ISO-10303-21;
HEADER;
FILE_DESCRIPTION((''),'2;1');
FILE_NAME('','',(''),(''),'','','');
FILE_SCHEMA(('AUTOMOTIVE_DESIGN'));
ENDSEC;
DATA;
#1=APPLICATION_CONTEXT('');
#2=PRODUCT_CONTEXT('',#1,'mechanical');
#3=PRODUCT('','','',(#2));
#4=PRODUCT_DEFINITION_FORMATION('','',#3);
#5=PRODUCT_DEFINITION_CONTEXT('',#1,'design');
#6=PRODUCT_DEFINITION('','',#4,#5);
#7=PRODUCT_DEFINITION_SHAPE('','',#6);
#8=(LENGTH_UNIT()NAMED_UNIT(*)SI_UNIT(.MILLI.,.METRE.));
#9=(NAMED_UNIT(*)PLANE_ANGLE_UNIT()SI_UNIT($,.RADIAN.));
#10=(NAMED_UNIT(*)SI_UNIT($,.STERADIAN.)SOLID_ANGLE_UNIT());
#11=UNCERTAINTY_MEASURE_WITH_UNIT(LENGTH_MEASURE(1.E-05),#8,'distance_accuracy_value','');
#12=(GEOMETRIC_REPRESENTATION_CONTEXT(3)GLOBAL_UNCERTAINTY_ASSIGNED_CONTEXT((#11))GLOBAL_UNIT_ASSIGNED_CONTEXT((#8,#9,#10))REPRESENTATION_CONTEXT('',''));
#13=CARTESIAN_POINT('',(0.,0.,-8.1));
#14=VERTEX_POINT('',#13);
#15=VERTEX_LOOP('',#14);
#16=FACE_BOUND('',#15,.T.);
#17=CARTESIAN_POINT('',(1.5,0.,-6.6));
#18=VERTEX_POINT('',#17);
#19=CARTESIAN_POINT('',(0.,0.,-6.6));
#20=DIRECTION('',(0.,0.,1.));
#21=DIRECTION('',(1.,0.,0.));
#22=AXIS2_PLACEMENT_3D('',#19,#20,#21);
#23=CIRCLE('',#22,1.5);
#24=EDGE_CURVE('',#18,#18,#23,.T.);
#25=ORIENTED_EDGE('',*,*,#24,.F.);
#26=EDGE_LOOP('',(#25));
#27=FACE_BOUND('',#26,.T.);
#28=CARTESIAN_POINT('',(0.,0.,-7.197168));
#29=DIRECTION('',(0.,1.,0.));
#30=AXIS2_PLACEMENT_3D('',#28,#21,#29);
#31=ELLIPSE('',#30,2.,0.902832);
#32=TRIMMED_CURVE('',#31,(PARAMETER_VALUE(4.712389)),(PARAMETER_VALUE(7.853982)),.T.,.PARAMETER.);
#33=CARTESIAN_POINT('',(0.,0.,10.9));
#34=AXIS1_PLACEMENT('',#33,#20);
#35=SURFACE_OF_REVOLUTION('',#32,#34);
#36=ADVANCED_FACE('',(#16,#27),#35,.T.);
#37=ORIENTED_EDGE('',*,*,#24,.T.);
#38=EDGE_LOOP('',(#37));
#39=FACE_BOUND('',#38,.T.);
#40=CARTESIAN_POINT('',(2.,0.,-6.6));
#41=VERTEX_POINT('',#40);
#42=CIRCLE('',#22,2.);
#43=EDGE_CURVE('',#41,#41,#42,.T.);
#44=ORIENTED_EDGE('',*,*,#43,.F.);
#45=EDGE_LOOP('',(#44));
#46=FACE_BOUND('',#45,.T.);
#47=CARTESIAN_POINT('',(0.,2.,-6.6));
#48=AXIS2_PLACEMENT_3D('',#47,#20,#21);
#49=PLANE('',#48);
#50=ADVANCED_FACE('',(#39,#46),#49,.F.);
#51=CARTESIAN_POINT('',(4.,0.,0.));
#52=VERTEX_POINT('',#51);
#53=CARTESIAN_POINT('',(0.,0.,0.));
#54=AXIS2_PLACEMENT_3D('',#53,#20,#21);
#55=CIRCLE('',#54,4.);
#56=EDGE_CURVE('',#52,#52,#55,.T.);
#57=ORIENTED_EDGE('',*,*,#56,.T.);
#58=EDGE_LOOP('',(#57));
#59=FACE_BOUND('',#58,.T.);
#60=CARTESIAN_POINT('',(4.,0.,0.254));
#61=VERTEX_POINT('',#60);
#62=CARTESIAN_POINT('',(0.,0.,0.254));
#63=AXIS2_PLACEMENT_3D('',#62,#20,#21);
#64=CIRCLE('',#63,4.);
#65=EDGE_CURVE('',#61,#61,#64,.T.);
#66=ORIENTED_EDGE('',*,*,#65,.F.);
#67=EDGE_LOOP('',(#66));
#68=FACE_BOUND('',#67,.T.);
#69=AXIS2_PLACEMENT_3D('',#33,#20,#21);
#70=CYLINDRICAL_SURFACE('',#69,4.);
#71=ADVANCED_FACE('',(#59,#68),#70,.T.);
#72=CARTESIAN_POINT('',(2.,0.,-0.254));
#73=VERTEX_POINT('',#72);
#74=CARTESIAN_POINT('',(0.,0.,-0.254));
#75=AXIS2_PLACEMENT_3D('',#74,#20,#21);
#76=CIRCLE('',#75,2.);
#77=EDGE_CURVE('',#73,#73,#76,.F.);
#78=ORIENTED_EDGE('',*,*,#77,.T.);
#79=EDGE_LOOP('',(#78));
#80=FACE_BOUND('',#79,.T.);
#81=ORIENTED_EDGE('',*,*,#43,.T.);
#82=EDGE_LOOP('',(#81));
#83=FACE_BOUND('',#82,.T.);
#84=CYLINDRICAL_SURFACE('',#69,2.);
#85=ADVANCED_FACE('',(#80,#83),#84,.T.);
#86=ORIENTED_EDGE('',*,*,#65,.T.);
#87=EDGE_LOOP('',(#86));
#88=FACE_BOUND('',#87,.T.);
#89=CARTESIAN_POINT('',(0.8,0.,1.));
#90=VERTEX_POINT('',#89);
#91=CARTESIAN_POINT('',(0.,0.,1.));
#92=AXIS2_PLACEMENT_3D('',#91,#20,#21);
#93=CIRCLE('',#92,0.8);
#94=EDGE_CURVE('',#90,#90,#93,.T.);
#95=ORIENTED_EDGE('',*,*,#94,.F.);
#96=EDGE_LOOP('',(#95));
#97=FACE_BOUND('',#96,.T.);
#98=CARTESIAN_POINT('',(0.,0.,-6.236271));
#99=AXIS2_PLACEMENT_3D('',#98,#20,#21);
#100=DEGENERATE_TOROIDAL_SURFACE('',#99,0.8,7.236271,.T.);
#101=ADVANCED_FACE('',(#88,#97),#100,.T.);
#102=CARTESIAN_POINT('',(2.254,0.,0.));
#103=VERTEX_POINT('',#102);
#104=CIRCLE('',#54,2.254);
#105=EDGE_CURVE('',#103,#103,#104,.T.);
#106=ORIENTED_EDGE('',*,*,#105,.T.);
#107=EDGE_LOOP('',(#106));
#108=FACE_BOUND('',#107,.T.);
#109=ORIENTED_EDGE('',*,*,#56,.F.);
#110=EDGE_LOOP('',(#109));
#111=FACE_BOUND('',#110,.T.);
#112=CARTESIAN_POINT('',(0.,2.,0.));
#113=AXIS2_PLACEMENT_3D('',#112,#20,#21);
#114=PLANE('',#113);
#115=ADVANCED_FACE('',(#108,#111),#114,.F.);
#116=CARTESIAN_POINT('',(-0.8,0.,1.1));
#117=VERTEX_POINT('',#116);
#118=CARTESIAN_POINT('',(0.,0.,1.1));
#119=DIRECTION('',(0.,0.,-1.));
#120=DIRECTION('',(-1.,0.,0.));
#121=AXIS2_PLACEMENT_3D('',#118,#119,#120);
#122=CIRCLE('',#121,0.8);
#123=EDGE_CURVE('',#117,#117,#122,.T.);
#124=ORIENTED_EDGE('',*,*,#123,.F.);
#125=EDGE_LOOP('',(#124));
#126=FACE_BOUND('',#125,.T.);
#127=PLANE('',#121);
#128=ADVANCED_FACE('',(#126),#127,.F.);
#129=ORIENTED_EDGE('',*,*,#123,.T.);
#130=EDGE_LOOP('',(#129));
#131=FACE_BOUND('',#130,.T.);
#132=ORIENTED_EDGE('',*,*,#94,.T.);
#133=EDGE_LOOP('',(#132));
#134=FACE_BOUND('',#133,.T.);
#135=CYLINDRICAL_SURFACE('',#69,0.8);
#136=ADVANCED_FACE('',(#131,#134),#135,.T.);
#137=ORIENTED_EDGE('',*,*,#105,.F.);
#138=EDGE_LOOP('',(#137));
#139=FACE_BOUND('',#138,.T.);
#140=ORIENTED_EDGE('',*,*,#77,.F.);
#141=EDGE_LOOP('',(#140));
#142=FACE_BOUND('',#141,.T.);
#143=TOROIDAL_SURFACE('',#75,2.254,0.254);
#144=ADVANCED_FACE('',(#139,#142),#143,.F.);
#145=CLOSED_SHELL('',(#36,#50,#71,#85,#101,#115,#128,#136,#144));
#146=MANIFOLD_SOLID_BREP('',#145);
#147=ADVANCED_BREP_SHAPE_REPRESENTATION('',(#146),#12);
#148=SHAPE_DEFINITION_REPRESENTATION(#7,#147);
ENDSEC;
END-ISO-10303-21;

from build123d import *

# Parameters (mm, degrees)
CUT_EXTRUDE1_DEPTH      = 13.280472369
CUT_EXTRUDE1_DEPTH_BACK = 13.280472369
CUT_EXTRUDE2_DEPTH      = 13.280472369
CUT_EXTRUDE2_DEPTH_BACK = 13.280472369
FILLET2_R               = 0.254
SKETCH5_R               = 1.211430269
CUT_EXTRUDE3_DEPTH      = 10


with BuildPart() as part:
    # Sketch2 → Revolve1 (revolve)
    with BuildSketch(Plane(origin=(0, 0, 0), x_dir=(0, 0, -1), z_dir=(1, 0, 0)), mode=Mode.PRIVATE) as revolve1_sk:
        with BuildLine():
            Line((-10.9, 0), (-10.9, 0.8))
            Line((-10.9, 0.8), (-1, 0.8))
            ThreePointArc((-1, 0.8), (-0.811032662, 2.442902614), (-0.254, 4))
            Line((-0.254, 4), (0, 4))
            Line((0, 4), (0, 2))
            Line((0, 2), (6.6, 2))
            Line((6.6, 2), (6.6, 1.5))
            add(Edge.make_bspline(
                [(8.1, 0), (8.1, 4.430500874), (6.6, 1.5)],
                knots=[4.71238898, 4.71238898, 4.71238898, 7.005919555, 7.005919555, 7.005919555], degree=2, weights=[1, 0.411437828, 1]))
            Line((8.1, 0), (6.6, 0))
            Line((6.6, 0), (-10.9, 0))
        make_face()
    revolve(revolve1_sk.sketch.rotate(Axis((0, 0, 10.9), (0, 0, -1)), 90), axis=Axis((0, 0, 10.9), (0, 0, -1)))

    # Sketch3 → Cut-Extrude1 (cut, two sides: drawn at the far end of the back side and taken through both)
    with BuildSketch(Plane(origin=(0, 0, 0), x_dir=(1, 0, 0), z_dir=(0, 1, 0)).offset(-CUT_EXTRUDE1_DEPTH_BACK)):
        Polygon((0, -10.9), (1.0032, -9.592604306), (1.0032, -11.408), (-1.0032, -11.408), (-1.0032, -9.592604306), align=None)
    extrude(amount=CUT_EXTRUDE1_DEPTH + CUT_EXTRUDE1_DEPTH_BACK, mode=Mode.SUBTRACT)

    # Sketch4 → Cut-Extrude2 (cut, two sides: drawn at the far end of the back side and taken through both)
    with BuildSketch(Plane(origin=(0, 0, 0), x_dir=(0, 0, -1), z_dir=(1, 0, 0)).offset(-CUT_EXTRUDE2_DEPTH_BACK)):
        Polygon((-11.154, 0), (-9.846, 1.308), (-11.408, 1.308), (-11.408, -1.308), (-9.846, -1.308), align=None)
    extrude(amount=CUT_EXTRUDE2_DEPTH + CUT_EXTRUDE2_DEPTH_BACK, mode=Mode.SUBTRACT)

    # Fillet2
    fillet2_edges = [part.edges().sort_by_distance(p)[0] for p in [
        (-2, 0, 0),
    ]]
    fillet(fillet2_edges, radius=FILLET2_R)

    # Sketch5 → Cut-Extrude3 (cut)
    with BuildSketch(Plane(origin=(0, 0, 1.1), x_dir=(-1, 0, 0), z_dir=(0, 0, -1))):
        Circle(SKETCH5_R)
    extrude(amount=-CUT_EXTRUDE3_DEPTH, mode=Mode.SUBTRACT)


solid = part.part
